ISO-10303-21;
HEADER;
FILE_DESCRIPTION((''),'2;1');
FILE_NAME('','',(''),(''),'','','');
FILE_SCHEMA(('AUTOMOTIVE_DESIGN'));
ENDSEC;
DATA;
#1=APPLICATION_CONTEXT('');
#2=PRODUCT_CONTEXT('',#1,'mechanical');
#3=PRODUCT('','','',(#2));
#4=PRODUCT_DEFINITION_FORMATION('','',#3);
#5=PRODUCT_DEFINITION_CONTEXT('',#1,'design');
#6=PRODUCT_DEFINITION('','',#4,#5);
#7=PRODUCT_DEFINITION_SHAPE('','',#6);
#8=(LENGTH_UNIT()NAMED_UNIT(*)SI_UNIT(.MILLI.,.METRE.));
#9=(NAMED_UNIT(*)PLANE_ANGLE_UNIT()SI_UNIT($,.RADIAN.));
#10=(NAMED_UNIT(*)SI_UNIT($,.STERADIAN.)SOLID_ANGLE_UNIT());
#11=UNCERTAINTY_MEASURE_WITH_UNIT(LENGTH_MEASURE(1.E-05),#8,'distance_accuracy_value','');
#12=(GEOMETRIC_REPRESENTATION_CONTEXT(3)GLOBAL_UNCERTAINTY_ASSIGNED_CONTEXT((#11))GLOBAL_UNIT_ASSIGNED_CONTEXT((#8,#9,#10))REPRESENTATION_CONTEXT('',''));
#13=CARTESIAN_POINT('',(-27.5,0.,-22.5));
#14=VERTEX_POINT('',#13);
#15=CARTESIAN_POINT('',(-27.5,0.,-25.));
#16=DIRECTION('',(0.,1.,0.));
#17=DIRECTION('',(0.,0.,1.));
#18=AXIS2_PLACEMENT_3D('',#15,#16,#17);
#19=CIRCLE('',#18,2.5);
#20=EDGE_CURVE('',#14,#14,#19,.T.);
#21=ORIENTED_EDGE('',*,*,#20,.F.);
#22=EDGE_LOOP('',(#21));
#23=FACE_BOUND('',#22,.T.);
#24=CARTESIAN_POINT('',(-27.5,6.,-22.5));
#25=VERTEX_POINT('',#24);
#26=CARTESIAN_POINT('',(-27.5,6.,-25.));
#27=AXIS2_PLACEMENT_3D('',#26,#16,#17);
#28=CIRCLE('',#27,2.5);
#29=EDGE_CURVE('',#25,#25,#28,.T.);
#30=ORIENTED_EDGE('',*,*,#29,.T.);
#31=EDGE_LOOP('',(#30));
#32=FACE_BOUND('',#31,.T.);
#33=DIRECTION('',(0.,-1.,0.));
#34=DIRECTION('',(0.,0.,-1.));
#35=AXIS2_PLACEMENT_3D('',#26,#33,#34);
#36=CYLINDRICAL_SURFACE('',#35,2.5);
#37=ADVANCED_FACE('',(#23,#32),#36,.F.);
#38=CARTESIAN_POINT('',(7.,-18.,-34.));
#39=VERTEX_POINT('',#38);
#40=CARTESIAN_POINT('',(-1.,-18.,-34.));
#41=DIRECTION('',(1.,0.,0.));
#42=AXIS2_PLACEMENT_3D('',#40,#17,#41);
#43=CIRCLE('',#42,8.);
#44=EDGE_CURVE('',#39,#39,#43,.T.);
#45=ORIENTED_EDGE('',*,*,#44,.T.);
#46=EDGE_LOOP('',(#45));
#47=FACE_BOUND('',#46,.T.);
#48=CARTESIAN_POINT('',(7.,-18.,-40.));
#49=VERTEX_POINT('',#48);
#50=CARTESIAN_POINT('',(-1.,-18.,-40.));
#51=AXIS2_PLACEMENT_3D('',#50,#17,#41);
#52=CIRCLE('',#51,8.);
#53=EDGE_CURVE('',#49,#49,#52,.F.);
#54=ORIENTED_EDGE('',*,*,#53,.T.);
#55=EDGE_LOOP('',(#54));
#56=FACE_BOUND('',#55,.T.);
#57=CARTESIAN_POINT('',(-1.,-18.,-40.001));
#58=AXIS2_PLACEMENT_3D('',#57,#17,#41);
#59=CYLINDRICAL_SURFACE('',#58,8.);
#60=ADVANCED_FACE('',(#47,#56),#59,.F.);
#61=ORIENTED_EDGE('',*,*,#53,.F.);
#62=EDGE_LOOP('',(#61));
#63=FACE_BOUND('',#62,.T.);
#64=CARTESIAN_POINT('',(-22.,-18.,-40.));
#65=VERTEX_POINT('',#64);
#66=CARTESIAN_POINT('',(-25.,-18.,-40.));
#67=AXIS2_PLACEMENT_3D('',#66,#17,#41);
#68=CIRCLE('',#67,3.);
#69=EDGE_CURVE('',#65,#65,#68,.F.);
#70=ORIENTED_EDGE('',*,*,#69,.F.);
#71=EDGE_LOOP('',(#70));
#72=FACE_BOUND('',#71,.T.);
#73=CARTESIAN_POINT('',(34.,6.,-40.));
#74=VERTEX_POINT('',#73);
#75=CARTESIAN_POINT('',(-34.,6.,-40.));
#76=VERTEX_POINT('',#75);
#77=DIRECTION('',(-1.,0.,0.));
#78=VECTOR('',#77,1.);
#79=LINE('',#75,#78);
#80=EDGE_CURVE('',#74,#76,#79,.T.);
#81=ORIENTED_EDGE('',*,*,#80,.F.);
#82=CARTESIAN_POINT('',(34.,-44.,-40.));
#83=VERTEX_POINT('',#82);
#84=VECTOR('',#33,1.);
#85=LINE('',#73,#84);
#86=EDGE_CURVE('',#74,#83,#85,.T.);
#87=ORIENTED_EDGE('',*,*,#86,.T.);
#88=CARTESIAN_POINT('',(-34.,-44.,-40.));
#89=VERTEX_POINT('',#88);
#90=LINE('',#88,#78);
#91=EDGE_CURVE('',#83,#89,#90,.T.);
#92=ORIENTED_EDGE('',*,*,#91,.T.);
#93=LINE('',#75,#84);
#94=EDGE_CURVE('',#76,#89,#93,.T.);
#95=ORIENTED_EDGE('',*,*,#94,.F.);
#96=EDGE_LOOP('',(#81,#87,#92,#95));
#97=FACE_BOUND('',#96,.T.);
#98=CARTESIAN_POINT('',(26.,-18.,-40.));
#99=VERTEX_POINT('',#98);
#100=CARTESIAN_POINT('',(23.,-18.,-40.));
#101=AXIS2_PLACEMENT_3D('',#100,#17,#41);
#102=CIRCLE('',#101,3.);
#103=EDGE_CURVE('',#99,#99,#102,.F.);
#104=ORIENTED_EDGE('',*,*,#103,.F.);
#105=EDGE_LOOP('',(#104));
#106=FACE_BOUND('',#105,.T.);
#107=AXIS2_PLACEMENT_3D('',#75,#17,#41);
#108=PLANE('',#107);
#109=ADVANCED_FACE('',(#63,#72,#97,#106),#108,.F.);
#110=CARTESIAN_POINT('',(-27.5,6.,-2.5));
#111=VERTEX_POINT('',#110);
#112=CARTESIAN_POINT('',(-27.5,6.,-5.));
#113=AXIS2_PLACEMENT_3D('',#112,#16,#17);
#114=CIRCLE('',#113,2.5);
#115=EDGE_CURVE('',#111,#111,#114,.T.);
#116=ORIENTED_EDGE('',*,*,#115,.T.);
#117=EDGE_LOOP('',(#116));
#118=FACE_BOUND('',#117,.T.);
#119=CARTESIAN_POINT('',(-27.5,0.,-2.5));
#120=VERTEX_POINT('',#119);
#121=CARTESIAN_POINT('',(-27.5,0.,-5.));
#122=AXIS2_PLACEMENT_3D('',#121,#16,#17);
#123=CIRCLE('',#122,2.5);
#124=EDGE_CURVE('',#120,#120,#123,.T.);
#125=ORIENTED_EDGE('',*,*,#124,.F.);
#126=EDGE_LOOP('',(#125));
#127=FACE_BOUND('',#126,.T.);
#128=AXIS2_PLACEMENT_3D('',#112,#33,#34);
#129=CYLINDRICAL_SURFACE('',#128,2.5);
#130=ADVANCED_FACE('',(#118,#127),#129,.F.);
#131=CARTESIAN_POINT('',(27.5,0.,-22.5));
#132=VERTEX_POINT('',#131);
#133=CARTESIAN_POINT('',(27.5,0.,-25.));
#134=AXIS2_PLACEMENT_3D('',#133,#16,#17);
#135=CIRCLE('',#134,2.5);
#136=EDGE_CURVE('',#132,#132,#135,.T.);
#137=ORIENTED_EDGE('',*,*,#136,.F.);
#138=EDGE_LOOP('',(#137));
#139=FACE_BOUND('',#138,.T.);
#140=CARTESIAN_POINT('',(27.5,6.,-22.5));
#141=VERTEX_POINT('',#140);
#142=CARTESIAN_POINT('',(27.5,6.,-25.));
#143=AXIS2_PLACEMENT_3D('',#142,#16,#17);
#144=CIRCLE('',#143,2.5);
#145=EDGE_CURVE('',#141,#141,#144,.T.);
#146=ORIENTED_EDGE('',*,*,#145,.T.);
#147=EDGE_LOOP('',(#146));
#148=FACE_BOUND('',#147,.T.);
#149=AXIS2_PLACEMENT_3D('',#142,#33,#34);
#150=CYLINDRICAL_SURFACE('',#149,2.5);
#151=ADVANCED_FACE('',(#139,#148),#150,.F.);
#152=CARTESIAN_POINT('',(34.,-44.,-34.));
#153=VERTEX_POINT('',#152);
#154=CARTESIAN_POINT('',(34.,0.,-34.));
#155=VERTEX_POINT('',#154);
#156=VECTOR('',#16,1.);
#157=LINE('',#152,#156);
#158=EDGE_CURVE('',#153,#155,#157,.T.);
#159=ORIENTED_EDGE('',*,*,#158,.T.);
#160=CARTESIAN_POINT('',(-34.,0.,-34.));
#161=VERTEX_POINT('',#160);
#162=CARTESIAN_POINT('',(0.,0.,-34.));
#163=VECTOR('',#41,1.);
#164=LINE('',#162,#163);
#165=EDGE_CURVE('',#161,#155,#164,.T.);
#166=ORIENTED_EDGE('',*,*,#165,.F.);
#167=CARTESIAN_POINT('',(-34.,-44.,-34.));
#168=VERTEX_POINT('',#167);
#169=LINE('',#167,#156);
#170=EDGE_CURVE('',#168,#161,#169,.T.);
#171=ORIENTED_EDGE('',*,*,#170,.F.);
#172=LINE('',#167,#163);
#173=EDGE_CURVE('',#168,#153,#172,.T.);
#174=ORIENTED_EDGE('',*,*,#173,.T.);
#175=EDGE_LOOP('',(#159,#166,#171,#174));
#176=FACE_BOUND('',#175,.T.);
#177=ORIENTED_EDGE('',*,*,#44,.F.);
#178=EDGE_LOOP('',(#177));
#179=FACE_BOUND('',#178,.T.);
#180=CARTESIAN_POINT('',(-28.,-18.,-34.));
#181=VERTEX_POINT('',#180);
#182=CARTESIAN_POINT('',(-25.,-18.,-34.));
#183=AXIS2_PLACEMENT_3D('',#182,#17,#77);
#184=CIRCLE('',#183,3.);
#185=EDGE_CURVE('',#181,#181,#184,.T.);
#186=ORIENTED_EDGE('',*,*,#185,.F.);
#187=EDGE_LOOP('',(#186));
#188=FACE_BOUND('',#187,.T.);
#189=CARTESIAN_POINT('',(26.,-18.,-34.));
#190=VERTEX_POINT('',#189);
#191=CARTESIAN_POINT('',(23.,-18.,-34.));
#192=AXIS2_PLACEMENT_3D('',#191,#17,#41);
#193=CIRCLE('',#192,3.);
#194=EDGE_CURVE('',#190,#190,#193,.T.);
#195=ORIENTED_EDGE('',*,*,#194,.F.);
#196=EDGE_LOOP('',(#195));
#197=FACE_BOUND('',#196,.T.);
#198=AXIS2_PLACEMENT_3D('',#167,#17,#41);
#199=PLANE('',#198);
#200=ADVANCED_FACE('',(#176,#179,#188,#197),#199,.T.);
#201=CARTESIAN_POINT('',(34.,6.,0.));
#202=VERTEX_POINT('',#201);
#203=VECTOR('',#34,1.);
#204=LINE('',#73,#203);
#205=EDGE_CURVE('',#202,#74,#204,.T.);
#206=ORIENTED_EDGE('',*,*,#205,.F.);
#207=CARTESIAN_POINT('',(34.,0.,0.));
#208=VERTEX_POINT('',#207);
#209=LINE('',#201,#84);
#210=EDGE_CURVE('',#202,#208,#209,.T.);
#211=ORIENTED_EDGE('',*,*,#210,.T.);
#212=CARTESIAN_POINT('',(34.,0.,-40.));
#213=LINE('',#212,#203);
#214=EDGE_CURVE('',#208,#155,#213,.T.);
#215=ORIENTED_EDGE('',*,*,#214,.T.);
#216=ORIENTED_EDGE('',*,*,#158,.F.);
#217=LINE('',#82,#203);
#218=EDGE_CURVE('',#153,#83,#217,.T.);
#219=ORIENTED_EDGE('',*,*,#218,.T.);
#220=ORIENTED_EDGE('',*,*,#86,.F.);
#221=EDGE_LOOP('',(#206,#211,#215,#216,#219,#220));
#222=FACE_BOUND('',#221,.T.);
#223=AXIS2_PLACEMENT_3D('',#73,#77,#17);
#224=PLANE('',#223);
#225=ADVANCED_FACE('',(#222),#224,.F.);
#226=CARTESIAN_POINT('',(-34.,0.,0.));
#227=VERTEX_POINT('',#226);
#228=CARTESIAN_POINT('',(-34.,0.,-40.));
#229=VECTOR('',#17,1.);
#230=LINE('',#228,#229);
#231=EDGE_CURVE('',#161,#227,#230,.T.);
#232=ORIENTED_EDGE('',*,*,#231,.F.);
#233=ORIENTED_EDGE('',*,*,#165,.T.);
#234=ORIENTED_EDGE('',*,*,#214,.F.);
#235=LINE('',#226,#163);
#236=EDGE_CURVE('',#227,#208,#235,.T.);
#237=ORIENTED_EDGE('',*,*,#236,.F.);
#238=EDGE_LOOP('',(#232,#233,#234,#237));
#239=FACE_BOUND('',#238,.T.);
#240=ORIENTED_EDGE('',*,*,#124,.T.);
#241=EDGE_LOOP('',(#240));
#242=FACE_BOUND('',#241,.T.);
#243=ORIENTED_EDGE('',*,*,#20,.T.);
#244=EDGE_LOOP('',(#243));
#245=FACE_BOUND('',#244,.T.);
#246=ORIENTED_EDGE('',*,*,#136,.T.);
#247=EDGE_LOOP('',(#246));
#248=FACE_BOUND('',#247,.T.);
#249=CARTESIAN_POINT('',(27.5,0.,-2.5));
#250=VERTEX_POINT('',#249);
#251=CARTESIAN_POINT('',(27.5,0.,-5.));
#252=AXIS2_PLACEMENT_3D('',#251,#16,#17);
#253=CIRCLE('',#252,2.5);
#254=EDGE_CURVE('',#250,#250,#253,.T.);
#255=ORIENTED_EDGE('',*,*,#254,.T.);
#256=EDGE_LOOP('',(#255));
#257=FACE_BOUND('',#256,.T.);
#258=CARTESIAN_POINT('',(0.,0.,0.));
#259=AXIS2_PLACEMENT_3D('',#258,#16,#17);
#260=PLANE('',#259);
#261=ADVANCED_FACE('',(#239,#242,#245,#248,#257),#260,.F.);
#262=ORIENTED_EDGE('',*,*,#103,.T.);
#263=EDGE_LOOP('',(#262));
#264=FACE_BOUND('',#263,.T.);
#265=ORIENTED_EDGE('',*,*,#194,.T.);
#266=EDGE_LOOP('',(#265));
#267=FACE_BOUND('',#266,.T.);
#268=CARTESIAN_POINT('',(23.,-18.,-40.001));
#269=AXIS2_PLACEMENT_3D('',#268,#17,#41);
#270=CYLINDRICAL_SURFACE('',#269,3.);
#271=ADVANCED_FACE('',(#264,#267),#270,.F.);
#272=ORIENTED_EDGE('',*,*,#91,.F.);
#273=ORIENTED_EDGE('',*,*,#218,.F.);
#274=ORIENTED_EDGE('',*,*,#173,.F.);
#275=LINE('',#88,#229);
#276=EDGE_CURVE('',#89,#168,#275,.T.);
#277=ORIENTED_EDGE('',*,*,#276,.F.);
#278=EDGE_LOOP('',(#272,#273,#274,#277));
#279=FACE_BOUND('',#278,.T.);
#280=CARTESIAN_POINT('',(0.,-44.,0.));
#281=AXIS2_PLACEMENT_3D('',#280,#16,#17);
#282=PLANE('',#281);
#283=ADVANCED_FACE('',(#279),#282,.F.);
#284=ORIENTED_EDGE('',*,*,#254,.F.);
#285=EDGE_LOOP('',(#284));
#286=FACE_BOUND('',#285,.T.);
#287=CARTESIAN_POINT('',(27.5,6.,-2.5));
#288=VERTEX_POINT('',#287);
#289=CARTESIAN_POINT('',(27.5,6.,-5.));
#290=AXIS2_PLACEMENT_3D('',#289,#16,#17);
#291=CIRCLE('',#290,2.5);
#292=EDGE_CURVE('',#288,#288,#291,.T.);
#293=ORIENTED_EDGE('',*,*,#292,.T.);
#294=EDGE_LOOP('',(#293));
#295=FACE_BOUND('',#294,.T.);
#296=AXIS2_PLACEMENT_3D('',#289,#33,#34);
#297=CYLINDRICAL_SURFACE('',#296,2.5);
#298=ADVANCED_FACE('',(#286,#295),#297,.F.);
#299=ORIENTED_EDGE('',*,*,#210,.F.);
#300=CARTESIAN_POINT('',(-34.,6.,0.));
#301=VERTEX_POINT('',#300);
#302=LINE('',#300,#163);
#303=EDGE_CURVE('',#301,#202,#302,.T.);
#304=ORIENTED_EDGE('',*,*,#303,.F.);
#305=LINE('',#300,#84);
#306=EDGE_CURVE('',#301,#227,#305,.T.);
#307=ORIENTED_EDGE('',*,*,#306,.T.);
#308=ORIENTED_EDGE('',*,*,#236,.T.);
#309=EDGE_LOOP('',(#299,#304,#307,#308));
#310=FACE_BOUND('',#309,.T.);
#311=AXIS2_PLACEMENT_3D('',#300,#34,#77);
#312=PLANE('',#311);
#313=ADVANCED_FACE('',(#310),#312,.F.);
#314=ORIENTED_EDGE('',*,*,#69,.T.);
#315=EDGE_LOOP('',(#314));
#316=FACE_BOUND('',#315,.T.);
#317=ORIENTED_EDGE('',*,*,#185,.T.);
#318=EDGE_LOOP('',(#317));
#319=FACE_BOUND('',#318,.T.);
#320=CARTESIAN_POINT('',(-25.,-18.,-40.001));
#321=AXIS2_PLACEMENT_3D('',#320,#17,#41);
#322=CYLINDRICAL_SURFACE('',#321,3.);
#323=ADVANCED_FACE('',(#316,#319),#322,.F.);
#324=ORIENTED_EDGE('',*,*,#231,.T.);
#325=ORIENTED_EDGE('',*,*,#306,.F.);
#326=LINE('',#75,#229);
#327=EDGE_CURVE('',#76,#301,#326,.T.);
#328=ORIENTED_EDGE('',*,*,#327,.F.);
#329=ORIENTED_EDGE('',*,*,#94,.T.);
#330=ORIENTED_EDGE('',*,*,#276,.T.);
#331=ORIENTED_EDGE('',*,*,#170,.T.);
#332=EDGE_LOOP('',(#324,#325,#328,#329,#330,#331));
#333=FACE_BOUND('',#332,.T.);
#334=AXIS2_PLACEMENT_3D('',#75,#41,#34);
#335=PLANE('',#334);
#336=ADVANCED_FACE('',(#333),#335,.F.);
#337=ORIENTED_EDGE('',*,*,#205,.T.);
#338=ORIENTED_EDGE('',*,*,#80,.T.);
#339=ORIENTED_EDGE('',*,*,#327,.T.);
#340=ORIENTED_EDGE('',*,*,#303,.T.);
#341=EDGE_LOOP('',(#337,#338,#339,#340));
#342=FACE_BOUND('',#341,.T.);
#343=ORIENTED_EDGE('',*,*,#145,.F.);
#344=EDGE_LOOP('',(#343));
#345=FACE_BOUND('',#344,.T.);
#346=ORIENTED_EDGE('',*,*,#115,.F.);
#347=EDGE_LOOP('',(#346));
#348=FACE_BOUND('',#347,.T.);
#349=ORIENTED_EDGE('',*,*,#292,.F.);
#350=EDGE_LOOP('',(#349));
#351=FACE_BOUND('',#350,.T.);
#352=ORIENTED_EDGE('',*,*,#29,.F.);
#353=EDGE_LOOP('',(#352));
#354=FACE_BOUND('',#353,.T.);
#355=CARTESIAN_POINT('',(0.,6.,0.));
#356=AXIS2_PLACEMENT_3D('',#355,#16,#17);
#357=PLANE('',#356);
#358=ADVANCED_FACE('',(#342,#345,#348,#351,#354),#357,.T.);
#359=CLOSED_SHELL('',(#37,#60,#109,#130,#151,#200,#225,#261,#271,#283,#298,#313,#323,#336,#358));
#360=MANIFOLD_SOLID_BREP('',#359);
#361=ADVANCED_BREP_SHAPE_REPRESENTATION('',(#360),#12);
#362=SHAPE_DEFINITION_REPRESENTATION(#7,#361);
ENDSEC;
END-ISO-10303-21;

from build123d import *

# Parameters (mm, degrees)
SKETCH_1_W          = 68
SKETCH_1_H          = 40
SKETCH_1_R          = 2.5
EXTRUDE_1_DEPTH     = 6
SKETCH_3_W          = 68
SKETCH_3_H          = 6
EXTRUDE_2_DEPTH     = 50
CUT_EXTRUDE_1_REACH = 8
SKETCH_4_R          = 8
SKETCH_4_R_2        = 3


with BuildPart() as part:
    # 草图1 → 凸台-拉伸1 (new body)
    with BuildSketch(Plane(origin=(0, 0, 0), x_dir=(1, 0, 0), z_dir=(0, 1, 0))):
        with Locations((0, 20)):
            Rectangle(SKETCH_1_W, SKETCH_1_H)
        with Locations((-27.5, 25)):
            Circle(SKETCH_1_R, mode=Mode.SUBTRACT)
        with Locations((27.5, 25)):
            Circle(SKETCH_1_R, mode=Mode.SUBTRACT)
        with Locations((-27.5, 5)):
            Circle(SKETCH_1_R, mode=Mode.SUBTRACT)
        with Locations((27.5, 5)):
            Circle(SKETCH_1_R, mode=Mode.SUBTRACT)
    extrude(amount=EXTRUDE_1_DEPTH)

    # 草图3 → 凸台-拉伸2 (add)
    with BuildSketch(Plane(origin=(0, 6, 0), x_dir=(1, 0, 0), z_dir=(0, 1, 0))):
        with Locations((0, 37)):
            Rectangle(SKETCH_3_W, SKETCH_3_H)
    extrude(amount=-EXTRUDE_2_DEPTH)

    # 草图4 → 切除-拉伸1 (cut, up to next)
    with BuildSketch(Plane.XY.offset(-34), mode=Mode.PRIVATE) as cut_extrude_1_sk1:
        with Locations((-1, -18)):
            Circle(SKETCH_4_R)
    cut_extrude_1_tool1 = extrude(cut_extrude_1_sk1.sketch, amount=-CUT_EXTRUDE_1_REACH, mode=Mode.PRIVATE) & part.part
    add(cut_extrude_1_tool1.solids().sort_by_distance((-1, -18, -34))[0], mode=Mode.SUBTRACT)
    # 草图4 → 切除-拉伸1 (cut, up to next)
    with BuildSketch(Plane.XY.offset(-34), mode=Mode.PRIVATE) as cut_extrude_1_sk2:
        with Locations((23, -18)):
            Circle(SKETCH_4_R_2)
    cut_extrude_1_tool2 = extrude(cut_extrude_1_sk2.sketch, amount=-CUT_EXTRUDE_1_REACH, mode=Mode.PRIVATE) & part.part
    add(cut_extrude_1_tool2.solids().sort_by_distance((23, -18, -34))[0], mode=Mode.SUBTRACT)
    # 草图4 → 切除-拉伸1 (cut, up to next)
    with BuildSketch(Plane.XY.offset(-34), mode=Mode.PRIVATE) as cut_extrude_1_sk3:
        with Locations((-25, -18)):
            Circle(SKETCH_4_R_2)
    cut_extrude_1_tool3 = extrude(cut_extrude_1_sk3.sketch, amount=-CUT_EXTRUDE_1_REACH, mode=Mode.PRIVATE) & part.part
    add(cut_extrude_1_tool3.solids().sort_by_distance((-25, -18, -34))[0], mode=Mode.SUBTRACT)


solid = part.part
